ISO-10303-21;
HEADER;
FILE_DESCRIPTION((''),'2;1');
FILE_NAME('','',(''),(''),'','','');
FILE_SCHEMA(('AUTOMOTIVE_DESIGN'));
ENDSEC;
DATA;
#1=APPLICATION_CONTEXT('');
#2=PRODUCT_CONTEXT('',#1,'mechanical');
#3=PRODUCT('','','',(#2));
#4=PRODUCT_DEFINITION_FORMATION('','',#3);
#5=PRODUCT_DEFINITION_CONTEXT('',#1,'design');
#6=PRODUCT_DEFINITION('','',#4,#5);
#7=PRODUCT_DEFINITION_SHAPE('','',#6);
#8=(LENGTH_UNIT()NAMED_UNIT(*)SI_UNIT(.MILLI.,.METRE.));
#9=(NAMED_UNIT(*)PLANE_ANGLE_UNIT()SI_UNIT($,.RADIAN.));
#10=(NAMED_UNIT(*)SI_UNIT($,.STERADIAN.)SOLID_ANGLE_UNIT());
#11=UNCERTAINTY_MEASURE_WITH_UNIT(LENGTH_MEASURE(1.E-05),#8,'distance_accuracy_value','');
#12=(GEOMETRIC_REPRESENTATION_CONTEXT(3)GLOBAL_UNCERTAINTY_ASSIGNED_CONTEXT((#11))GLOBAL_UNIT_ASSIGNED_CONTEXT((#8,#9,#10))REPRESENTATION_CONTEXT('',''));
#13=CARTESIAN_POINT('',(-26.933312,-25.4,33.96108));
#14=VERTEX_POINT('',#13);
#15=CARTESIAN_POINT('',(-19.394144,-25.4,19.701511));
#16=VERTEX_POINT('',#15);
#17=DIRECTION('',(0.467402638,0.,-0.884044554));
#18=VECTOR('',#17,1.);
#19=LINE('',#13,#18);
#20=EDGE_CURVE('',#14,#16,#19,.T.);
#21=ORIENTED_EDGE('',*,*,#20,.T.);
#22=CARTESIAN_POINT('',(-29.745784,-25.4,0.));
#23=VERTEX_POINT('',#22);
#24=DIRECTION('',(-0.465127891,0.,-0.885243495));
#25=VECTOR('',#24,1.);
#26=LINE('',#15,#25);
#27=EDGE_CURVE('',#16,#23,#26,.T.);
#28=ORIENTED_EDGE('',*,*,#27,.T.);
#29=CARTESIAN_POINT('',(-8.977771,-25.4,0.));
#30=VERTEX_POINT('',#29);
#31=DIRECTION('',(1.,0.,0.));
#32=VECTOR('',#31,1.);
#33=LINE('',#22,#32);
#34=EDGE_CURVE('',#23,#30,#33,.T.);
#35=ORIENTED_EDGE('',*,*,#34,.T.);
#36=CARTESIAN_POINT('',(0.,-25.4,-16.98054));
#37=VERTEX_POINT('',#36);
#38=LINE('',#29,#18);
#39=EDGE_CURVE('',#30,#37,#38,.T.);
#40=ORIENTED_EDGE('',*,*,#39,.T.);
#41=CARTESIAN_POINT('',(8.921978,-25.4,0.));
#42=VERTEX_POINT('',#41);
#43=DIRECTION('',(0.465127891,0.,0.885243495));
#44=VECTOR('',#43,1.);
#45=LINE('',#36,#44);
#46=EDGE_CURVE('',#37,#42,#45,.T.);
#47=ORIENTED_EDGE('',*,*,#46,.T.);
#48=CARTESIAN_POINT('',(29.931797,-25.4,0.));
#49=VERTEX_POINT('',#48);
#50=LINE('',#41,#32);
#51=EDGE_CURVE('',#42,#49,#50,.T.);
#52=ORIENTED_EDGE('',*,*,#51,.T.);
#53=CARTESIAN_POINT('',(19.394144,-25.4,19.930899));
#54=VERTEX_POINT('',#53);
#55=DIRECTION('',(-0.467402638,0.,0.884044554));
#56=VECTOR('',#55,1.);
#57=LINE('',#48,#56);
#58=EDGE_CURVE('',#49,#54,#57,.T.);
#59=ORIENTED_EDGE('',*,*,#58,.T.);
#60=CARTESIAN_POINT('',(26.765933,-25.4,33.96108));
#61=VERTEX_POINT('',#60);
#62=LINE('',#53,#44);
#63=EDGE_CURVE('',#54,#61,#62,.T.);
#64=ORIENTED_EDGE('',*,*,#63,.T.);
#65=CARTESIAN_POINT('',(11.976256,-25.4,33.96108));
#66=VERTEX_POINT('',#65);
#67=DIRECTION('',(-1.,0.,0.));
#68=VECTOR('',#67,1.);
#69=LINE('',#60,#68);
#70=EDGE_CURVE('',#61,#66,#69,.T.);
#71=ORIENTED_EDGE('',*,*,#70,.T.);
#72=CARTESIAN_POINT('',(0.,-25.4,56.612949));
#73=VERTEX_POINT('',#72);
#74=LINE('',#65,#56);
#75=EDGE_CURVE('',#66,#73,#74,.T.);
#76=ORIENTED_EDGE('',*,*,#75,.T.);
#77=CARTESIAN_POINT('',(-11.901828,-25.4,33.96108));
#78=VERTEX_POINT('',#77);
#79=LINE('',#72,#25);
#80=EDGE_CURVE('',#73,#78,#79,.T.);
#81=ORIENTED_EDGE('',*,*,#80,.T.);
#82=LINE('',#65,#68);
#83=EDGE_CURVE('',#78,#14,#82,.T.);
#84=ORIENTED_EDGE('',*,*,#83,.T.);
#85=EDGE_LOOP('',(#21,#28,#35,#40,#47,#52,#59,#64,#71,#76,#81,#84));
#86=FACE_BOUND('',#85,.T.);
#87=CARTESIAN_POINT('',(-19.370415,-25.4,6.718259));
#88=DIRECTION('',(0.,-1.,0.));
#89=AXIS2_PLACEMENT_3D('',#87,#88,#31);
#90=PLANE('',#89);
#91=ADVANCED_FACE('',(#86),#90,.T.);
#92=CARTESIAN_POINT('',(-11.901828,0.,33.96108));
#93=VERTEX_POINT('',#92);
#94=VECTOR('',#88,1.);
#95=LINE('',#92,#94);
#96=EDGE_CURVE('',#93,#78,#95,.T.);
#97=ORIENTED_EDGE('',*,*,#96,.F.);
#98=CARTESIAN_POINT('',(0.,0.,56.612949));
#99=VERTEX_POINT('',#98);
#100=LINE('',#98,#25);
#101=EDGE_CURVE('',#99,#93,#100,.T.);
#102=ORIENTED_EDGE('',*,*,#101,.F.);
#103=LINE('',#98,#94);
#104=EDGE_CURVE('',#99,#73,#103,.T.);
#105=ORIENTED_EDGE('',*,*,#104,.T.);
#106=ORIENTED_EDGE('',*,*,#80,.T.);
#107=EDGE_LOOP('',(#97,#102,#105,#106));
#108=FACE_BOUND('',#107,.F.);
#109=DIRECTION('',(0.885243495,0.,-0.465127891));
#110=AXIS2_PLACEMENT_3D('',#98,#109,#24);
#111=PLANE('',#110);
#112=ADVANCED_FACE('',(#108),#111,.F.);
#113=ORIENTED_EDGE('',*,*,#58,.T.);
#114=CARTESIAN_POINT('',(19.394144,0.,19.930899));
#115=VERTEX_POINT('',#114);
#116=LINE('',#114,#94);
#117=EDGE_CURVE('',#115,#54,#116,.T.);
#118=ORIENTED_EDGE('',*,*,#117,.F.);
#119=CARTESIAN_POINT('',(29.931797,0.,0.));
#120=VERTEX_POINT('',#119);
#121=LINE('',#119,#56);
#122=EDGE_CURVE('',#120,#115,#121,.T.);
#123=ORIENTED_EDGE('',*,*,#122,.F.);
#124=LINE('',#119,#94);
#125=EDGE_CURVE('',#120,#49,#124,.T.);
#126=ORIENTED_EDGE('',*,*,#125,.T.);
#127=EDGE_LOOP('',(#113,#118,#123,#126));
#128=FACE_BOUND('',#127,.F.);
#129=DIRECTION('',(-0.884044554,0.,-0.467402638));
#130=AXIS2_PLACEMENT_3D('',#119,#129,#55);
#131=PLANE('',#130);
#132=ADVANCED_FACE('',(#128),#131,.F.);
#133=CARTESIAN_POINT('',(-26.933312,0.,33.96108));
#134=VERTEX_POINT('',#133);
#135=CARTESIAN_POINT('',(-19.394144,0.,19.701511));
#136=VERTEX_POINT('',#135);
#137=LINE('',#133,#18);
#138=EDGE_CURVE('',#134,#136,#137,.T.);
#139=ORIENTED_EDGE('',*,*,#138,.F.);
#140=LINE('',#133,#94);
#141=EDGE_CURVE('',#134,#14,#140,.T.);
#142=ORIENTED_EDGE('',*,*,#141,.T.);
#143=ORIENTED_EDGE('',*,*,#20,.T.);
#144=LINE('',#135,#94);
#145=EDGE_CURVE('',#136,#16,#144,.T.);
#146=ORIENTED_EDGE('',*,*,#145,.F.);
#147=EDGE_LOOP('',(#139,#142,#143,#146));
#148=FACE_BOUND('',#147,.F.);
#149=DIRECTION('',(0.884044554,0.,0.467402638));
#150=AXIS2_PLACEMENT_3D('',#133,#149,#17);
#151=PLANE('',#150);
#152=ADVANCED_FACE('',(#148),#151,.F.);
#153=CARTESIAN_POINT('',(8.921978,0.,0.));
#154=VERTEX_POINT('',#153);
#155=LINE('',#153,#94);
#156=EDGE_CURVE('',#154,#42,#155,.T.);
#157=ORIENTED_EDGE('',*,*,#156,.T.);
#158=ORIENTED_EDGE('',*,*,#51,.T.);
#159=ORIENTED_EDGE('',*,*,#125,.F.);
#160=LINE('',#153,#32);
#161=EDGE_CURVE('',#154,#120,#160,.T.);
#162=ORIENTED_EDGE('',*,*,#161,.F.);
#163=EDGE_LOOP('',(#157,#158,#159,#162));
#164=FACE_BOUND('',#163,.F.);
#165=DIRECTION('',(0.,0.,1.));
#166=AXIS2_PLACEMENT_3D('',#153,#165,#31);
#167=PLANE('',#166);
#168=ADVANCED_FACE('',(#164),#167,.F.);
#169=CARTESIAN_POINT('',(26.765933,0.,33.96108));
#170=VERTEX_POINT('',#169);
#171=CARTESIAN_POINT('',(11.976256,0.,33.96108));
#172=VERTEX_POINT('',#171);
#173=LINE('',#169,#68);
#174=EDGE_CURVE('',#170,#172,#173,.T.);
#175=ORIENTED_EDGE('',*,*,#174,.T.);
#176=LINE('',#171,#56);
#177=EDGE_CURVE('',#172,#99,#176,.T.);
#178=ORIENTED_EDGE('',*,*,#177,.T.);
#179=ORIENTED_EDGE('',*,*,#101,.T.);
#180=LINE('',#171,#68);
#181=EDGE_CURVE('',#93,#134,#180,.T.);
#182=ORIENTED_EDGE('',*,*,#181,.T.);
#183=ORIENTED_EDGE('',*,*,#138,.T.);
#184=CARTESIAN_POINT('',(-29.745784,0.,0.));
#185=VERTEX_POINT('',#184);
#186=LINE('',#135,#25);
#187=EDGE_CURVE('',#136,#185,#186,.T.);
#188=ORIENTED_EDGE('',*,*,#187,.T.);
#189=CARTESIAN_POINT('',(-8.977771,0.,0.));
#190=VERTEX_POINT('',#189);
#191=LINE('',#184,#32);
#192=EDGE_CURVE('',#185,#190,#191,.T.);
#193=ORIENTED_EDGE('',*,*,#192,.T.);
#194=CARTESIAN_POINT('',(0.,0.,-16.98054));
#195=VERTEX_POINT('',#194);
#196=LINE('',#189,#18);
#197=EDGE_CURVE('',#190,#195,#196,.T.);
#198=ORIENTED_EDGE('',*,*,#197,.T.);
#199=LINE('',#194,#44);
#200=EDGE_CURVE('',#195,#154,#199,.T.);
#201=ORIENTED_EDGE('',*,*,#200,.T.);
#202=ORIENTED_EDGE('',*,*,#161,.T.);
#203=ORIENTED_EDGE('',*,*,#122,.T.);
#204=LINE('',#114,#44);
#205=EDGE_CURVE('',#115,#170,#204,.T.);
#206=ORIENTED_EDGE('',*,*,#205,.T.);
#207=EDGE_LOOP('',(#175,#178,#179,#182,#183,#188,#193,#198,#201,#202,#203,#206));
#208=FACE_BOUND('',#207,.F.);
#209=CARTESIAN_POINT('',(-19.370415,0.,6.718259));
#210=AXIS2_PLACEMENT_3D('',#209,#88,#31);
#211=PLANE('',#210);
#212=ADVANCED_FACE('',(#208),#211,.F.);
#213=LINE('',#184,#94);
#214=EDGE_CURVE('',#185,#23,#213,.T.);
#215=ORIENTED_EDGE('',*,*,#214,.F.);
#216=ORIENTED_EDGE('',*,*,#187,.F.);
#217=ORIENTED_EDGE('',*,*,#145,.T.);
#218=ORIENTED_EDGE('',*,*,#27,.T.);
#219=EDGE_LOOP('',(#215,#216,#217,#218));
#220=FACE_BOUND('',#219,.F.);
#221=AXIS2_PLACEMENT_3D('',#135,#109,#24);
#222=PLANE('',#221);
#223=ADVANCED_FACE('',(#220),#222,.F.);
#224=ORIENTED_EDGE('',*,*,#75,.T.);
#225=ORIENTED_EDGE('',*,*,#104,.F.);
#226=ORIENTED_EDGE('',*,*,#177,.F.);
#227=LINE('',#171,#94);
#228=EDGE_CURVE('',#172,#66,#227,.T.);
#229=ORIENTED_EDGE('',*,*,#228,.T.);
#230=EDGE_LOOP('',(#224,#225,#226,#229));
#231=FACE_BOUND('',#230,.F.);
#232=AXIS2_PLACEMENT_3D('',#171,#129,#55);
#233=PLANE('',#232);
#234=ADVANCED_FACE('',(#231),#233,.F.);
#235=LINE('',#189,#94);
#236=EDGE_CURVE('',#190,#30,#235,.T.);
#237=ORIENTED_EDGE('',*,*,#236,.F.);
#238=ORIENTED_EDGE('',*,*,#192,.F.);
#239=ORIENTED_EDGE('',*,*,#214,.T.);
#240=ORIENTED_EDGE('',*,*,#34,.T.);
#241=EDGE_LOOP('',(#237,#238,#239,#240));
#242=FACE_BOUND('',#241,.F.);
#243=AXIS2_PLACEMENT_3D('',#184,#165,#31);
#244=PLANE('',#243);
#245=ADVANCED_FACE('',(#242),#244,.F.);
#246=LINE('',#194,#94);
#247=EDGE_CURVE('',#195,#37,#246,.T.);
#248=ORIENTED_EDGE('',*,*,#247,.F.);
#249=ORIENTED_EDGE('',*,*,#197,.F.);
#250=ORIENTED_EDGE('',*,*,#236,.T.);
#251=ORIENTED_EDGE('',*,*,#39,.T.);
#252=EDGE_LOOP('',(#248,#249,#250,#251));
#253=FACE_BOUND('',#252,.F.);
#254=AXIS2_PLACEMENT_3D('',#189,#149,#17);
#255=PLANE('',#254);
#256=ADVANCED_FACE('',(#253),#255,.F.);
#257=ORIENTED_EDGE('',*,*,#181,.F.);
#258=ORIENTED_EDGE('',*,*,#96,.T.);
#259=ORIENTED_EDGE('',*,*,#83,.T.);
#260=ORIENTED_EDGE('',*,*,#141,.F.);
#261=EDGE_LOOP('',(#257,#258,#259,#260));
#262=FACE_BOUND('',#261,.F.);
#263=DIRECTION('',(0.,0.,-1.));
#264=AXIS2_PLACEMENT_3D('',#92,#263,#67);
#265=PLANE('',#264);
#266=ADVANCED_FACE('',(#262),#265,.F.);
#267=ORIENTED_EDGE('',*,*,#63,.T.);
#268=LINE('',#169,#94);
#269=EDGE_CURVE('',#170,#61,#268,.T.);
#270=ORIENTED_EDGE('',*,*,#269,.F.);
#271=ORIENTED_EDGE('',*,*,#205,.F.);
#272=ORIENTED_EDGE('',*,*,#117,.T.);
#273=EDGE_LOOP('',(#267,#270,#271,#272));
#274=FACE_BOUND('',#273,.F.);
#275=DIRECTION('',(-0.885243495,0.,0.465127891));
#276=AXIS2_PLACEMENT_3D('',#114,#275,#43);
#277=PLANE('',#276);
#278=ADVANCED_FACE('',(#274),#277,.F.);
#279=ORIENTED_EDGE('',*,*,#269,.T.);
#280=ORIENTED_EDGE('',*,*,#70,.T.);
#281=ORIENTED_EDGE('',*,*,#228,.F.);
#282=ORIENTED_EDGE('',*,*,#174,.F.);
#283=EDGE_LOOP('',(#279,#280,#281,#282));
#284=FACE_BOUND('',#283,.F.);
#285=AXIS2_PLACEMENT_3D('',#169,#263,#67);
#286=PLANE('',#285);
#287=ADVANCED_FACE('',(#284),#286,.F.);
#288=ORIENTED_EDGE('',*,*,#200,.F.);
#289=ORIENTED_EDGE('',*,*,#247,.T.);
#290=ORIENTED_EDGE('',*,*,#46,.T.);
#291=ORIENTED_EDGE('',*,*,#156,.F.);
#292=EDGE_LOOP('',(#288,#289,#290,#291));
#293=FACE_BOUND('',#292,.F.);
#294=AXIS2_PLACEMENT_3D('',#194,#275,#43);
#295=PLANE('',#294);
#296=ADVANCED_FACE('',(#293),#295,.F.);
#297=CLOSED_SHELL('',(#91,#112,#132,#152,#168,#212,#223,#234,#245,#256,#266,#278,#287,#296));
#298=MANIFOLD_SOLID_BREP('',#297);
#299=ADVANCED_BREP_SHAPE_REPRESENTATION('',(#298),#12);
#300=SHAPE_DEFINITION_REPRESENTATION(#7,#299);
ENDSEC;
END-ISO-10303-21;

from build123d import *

# Parameters (mm, degrees)
F1_DEPTH = 25.4


with BuildPart() as f1:
    # F0 (on Front) → F1 (new body)
    with BuildSketch(Plane.XZ):
        Polygon((-19.3941438295, 19.7015106075), (-29.7457839583, 0), (-8.9777705904, 0), align=None)
        Polygon((-26.9333117711, 33.9610800147), (-19.3941438295, 19.7015106075), (-11.9018284514, 33.9610800147), align=None)
        Polygon((-11.9018284514, 33.9610800147), (-19.3941438295, 19.7015106075), (-8.9777705904, 0), (8.9219777534, 0), (19.3941438295, 19.9308987236), (11.9762555339, 33.9610800147), align=None)
        Polygon((8.9219777534, 0), (-8.9777705904, 0), (0, -16.9805400074), align=None)
        Polygon((0, 56.6129493385), (-11.9018284514, 33.9610800147), (11.9762555339, 33.9610800147), align=None)
        Polygon((19.3941438295, 19.9308987236), (8.9219777534, 0), (29.9317967147, 0), align=None)
        Polygon((26.7659332603, 33.9610800147), (11.9762555339, 33.9610800147), (19.3941438295, 19.9308987236), align=None)
    extrude(amount=F1_DEPTH)


solid = f1.part
